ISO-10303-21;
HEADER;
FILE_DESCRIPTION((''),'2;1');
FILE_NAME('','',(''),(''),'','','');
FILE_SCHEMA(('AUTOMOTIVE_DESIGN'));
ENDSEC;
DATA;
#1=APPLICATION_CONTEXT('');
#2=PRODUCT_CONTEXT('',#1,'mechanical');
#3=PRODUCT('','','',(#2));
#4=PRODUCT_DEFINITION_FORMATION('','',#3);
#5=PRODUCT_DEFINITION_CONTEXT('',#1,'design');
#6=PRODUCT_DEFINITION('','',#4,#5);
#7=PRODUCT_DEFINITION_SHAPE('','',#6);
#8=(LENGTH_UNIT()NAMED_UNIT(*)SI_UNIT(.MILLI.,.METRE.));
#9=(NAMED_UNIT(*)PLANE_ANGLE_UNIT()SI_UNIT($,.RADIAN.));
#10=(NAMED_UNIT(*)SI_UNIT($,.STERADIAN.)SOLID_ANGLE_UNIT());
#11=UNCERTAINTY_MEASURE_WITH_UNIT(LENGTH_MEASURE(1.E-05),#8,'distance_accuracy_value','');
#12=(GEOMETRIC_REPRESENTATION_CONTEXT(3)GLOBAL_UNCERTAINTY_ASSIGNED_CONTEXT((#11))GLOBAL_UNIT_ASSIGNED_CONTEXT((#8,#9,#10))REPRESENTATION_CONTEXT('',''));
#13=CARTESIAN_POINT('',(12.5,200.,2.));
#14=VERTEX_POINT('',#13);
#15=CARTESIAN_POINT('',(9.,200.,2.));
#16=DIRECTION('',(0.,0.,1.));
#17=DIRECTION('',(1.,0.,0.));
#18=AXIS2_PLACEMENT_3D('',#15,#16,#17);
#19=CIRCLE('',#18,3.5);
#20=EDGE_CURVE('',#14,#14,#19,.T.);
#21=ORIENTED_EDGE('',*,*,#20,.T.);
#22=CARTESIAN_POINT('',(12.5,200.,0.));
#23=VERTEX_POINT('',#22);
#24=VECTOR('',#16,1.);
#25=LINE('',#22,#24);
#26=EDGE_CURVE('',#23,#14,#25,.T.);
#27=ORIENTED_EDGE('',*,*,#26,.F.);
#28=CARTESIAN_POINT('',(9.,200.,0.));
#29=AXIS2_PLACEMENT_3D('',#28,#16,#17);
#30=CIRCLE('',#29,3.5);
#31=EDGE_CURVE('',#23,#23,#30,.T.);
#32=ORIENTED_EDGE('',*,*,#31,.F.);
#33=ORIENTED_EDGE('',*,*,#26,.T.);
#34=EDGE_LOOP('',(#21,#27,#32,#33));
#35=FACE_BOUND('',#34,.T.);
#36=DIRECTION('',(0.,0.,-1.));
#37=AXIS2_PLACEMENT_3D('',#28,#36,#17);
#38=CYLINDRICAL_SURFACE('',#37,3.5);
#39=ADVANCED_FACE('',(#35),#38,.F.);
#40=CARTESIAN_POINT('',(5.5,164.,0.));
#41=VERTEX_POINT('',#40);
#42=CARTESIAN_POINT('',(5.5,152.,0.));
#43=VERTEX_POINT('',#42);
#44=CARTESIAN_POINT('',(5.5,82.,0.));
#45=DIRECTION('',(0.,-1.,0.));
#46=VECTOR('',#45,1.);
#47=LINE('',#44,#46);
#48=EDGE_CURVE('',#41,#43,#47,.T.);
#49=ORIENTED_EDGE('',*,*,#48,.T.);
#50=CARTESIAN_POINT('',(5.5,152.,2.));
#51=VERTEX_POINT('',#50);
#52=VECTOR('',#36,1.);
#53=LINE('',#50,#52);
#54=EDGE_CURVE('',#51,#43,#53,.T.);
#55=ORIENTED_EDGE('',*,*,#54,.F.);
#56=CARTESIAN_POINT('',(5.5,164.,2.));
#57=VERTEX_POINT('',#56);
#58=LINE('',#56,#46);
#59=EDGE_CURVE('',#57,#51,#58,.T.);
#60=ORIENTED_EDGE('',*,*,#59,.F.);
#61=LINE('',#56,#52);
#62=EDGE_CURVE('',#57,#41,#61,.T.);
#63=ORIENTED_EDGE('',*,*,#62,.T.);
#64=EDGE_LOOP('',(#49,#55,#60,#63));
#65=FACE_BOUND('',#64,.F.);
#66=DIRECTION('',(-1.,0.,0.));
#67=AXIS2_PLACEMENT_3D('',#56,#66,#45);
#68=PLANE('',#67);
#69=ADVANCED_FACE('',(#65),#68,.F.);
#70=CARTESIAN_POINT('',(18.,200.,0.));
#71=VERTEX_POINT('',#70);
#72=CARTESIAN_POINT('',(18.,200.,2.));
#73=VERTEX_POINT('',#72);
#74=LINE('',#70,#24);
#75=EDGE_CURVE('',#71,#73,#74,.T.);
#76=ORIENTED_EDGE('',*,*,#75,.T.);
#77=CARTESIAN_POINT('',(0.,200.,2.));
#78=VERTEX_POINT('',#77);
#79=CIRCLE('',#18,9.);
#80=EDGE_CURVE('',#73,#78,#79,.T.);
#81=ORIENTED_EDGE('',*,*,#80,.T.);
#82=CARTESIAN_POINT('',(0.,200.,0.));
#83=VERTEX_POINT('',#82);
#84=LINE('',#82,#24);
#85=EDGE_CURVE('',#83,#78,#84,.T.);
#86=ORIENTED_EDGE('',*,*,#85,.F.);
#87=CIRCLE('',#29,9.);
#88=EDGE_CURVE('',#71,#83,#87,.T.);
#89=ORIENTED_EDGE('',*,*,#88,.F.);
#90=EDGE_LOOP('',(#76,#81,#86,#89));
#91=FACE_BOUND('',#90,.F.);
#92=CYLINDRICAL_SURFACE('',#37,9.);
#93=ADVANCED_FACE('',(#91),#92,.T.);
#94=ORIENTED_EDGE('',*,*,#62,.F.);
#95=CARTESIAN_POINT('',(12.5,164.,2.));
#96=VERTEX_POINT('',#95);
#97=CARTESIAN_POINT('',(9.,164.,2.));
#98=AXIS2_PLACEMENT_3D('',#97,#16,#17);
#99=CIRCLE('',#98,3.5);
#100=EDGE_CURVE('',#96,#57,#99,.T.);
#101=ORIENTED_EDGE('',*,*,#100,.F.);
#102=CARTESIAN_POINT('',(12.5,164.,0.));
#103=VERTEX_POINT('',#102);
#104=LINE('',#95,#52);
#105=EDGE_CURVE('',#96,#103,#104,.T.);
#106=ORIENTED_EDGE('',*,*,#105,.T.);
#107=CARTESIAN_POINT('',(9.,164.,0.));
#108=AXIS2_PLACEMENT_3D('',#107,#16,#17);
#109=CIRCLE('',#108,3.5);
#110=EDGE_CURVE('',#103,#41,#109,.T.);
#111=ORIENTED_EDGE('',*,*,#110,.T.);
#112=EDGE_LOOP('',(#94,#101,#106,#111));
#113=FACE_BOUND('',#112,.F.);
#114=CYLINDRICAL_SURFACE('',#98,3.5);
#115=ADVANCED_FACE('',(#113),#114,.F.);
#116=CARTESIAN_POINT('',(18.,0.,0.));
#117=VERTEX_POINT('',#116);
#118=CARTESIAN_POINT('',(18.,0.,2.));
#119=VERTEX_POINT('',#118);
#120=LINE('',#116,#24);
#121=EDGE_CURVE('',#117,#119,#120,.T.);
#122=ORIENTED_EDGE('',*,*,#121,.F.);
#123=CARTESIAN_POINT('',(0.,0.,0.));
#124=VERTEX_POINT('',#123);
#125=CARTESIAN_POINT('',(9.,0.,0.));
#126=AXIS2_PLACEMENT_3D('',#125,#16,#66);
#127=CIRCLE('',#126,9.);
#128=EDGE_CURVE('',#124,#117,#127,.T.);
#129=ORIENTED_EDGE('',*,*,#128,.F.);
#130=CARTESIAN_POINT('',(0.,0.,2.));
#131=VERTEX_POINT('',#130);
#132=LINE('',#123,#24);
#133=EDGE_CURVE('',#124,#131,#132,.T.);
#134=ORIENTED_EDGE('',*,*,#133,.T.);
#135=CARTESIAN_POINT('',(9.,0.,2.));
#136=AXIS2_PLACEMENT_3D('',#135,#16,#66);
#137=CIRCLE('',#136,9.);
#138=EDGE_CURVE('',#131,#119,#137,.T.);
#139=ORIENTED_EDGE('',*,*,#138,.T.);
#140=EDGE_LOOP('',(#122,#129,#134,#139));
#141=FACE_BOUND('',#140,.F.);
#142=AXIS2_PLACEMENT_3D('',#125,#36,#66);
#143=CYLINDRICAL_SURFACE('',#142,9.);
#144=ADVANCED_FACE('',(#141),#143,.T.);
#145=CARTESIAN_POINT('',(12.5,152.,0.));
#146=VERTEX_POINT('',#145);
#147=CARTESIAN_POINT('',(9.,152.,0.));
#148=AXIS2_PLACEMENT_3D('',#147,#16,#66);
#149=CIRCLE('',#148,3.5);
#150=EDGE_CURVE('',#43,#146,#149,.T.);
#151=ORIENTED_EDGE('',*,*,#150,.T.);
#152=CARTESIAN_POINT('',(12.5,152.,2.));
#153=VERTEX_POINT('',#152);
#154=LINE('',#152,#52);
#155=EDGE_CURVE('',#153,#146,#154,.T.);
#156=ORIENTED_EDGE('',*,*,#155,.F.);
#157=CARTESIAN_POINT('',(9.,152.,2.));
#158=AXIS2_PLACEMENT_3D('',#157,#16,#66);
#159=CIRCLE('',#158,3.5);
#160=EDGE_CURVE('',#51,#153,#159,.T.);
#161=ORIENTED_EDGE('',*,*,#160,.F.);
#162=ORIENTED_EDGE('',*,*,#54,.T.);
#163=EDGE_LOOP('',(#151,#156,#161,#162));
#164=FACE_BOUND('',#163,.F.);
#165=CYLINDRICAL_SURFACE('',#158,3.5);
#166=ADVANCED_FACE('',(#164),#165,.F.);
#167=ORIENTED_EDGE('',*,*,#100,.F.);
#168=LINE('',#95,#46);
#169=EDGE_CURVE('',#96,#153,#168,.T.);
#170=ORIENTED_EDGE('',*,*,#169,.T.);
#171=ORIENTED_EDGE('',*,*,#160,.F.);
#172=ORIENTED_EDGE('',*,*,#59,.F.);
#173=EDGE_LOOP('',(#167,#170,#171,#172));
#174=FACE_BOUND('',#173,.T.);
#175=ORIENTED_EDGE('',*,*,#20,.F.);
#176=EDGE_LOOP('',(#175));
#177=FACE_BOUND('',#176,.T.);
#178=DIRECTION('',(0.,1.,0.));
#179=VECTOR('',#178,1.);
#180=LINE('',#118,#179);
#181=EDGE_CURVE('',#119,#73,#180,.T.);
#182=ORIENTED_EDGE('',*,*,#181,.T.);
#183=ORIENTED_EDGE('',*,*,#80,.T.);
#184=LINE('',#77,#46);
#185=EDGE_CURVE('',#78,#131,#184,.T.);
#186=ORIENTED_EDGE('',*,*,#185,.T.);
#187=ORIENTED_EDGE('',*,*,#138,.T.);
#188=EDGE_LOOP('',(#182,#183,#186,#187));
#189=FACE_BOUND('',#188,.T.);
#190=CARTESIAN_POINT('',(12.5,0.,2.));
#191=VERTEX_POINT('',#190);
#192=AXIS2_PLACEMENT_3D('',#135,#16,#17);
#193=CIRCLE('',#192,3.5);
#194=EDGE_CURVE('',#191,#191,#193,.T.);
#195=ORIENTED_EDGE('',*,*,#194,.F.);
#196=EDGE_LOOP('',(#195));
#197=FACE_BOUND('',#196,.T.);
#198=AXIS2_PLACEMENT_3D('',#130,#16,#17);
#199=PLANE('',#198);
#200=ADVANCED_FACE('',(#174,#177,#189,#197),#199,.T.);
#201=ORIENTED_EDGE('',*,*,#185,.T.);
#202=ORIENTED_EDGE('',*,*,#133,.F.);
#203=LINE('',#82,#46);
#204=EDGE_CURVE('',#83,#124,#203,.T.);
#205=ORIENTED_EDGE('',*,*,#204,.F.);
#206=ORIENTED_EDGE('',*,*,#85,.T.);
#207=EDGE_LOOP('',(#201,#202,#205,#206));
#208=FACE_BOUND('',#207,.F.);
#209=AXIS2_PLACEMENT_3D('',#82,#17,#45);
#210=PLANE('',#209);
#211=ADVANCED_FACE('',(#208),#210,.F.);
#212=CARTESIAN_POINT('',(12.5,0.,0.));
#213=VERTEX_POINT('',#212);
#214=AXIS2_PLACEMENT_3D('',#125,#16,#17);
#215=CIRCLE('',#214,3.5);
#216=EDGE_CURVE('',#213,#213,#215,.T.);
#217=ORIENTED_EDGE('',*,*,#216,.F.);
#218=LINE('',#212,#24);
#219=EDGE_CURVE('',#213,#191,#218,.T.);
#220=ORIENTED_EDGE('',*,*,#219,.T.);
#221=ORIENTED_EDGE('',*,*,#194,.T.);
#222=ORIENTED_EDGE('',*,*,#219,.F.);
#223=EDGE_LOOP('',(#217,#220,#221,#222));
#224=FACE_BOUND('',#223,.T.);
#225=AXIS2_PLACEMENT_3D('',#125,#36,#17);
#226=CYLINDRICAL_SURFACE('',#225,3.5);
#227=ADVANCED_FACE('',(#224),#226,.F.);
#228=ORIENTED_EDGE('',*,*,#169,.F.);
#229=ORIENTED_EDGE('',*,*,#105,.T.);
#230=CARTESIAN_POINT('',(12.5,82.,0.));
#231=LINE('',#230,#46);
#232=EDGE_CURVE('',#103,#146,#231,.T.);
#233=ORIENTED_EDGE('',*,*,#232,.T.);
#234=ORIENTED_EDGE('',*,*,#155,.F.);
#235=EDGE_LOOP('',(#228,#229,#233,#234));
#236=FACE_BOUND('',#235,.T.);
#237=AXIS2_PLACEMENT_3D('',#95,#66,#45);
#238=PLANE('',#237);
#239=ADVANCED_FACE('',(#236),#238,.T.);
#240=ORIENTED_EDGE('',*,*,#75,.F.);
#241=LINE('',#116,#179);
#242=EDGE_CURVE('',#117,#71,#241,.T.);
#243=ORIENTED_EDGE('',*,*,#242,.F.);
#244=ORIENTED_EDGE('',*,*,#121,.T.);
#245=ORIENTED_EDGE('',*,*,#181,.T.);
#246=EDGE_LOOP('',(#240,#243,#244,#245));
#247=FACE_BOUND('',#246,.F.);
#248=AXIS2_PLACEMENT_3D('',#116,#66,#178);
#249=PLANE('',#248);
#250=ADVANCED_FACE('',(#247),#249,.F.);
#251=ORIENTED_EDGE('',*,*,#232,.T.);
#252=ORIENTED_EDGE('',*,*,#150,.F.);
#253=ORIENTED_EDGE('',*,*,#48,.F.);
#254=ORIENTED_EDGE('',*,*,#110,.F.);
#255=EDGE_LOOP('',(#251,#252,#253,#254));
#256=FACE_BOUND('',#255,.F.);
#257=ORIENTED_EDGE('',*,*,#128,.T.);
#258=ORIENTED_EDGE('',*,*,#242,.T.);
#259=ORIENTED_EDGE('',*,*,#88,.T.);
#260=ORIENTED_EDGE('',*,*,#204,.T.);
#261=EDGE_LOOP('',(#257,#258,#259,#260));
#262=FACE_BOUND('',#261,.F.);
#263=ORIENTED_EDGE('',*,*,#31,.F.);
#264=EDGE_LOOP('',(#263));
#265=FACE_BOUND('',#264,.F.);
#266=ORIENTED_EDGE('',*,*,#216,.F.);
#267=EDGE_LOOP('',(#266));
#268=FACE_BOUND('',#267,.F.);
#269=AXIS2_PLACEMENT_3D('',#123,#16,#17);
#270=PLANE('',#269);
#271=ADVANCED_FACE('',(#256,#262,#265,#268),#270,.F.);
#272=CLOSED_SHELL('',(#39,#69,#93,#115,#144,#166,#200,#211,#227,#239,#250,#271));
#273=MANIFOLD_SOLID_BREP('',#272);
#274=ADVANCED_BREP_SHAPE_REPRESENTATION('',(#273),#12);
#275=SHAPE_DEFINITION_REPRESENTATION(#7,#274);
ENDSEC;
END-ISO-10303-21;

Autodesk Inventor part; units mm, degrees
ref_plane "YZ Plane" through (0, 0, 0) normal (1, 0, 0) x (0, 1, 0)
ref_plane "XZ Plane" through (0, 0, 0) normal (0, 1, 0) x (-1, 0, 0)
ref_plane "XY Plane" through (0, 0, 0) normal (0, 0, 1) x (1, 0, 0)
sketch "スケッチ1" plane through (0, 0, 0) normal (0, 0, 1) x (1, 0, 0)
  line L0 (18, 0) -> (18, 200)
  line L1 (0, 200) -> (0, 0)
  line L2 (9, 200) -> (9, 0) construction
  arc A0 (18, 200) -> (0, 200) centre (9, 200) ccw
  arc A1 (0, 0) -> (18, 0) centre (9, 0) ccw
  circle A2 centre (9, 0) radius 3.5
  circle A3 centre (9, 200) radius 3.5
  dimension "d35" = 18
  dimension "d36" = 200
  dimension "d37" = 7
  dimension "d38" = 7
extrude "押し出し1" add sketch "スケッチ1" along normal blind 2
sketch "スケッチ3" plane through (0, 0, 2) normal (0, 0, 1) x (1, 0, 0)
  circle A0 centre (9, 0) radius 3.5 projected
  circle A1 centre (9, 200) radius 3.5 projected
  arc A2 (18, 200) -> (0, 200) centre (9, 200) ccw projected
  line L0 (0, 200) -> (0, 0) projected
  arc A3 (0, 0) -> (18, 0) centre (9, 0) ccw projected
  line L1 (18, 0) -> (18, 200) projected
  circle A4 centre (9, 0) radius 3.5 projected
  line L2 (9, 200) -> (9, 0) construction
  arc A5 (5.5, 152) -> (12.5, 152) centre (9, 152) ccw
  arc A6 (12.5, 164) -> (5.5, 164) centre (9, 164) ccw
  line L3 (5.5, 164) -> (5.5, 152)
  line L4 (12.5, 164) -> (12.5, 152)
  dimension "d41" = 7
  dimension "d42" = 48
  dimension "d43" = 7
  dimension "d44" = 36
extrude "押し出し2" cut sketch "スケッチ3" against normal through all contours L3 A6 L4 A5
properties part number "foot_link_lever" material "GFRP"
